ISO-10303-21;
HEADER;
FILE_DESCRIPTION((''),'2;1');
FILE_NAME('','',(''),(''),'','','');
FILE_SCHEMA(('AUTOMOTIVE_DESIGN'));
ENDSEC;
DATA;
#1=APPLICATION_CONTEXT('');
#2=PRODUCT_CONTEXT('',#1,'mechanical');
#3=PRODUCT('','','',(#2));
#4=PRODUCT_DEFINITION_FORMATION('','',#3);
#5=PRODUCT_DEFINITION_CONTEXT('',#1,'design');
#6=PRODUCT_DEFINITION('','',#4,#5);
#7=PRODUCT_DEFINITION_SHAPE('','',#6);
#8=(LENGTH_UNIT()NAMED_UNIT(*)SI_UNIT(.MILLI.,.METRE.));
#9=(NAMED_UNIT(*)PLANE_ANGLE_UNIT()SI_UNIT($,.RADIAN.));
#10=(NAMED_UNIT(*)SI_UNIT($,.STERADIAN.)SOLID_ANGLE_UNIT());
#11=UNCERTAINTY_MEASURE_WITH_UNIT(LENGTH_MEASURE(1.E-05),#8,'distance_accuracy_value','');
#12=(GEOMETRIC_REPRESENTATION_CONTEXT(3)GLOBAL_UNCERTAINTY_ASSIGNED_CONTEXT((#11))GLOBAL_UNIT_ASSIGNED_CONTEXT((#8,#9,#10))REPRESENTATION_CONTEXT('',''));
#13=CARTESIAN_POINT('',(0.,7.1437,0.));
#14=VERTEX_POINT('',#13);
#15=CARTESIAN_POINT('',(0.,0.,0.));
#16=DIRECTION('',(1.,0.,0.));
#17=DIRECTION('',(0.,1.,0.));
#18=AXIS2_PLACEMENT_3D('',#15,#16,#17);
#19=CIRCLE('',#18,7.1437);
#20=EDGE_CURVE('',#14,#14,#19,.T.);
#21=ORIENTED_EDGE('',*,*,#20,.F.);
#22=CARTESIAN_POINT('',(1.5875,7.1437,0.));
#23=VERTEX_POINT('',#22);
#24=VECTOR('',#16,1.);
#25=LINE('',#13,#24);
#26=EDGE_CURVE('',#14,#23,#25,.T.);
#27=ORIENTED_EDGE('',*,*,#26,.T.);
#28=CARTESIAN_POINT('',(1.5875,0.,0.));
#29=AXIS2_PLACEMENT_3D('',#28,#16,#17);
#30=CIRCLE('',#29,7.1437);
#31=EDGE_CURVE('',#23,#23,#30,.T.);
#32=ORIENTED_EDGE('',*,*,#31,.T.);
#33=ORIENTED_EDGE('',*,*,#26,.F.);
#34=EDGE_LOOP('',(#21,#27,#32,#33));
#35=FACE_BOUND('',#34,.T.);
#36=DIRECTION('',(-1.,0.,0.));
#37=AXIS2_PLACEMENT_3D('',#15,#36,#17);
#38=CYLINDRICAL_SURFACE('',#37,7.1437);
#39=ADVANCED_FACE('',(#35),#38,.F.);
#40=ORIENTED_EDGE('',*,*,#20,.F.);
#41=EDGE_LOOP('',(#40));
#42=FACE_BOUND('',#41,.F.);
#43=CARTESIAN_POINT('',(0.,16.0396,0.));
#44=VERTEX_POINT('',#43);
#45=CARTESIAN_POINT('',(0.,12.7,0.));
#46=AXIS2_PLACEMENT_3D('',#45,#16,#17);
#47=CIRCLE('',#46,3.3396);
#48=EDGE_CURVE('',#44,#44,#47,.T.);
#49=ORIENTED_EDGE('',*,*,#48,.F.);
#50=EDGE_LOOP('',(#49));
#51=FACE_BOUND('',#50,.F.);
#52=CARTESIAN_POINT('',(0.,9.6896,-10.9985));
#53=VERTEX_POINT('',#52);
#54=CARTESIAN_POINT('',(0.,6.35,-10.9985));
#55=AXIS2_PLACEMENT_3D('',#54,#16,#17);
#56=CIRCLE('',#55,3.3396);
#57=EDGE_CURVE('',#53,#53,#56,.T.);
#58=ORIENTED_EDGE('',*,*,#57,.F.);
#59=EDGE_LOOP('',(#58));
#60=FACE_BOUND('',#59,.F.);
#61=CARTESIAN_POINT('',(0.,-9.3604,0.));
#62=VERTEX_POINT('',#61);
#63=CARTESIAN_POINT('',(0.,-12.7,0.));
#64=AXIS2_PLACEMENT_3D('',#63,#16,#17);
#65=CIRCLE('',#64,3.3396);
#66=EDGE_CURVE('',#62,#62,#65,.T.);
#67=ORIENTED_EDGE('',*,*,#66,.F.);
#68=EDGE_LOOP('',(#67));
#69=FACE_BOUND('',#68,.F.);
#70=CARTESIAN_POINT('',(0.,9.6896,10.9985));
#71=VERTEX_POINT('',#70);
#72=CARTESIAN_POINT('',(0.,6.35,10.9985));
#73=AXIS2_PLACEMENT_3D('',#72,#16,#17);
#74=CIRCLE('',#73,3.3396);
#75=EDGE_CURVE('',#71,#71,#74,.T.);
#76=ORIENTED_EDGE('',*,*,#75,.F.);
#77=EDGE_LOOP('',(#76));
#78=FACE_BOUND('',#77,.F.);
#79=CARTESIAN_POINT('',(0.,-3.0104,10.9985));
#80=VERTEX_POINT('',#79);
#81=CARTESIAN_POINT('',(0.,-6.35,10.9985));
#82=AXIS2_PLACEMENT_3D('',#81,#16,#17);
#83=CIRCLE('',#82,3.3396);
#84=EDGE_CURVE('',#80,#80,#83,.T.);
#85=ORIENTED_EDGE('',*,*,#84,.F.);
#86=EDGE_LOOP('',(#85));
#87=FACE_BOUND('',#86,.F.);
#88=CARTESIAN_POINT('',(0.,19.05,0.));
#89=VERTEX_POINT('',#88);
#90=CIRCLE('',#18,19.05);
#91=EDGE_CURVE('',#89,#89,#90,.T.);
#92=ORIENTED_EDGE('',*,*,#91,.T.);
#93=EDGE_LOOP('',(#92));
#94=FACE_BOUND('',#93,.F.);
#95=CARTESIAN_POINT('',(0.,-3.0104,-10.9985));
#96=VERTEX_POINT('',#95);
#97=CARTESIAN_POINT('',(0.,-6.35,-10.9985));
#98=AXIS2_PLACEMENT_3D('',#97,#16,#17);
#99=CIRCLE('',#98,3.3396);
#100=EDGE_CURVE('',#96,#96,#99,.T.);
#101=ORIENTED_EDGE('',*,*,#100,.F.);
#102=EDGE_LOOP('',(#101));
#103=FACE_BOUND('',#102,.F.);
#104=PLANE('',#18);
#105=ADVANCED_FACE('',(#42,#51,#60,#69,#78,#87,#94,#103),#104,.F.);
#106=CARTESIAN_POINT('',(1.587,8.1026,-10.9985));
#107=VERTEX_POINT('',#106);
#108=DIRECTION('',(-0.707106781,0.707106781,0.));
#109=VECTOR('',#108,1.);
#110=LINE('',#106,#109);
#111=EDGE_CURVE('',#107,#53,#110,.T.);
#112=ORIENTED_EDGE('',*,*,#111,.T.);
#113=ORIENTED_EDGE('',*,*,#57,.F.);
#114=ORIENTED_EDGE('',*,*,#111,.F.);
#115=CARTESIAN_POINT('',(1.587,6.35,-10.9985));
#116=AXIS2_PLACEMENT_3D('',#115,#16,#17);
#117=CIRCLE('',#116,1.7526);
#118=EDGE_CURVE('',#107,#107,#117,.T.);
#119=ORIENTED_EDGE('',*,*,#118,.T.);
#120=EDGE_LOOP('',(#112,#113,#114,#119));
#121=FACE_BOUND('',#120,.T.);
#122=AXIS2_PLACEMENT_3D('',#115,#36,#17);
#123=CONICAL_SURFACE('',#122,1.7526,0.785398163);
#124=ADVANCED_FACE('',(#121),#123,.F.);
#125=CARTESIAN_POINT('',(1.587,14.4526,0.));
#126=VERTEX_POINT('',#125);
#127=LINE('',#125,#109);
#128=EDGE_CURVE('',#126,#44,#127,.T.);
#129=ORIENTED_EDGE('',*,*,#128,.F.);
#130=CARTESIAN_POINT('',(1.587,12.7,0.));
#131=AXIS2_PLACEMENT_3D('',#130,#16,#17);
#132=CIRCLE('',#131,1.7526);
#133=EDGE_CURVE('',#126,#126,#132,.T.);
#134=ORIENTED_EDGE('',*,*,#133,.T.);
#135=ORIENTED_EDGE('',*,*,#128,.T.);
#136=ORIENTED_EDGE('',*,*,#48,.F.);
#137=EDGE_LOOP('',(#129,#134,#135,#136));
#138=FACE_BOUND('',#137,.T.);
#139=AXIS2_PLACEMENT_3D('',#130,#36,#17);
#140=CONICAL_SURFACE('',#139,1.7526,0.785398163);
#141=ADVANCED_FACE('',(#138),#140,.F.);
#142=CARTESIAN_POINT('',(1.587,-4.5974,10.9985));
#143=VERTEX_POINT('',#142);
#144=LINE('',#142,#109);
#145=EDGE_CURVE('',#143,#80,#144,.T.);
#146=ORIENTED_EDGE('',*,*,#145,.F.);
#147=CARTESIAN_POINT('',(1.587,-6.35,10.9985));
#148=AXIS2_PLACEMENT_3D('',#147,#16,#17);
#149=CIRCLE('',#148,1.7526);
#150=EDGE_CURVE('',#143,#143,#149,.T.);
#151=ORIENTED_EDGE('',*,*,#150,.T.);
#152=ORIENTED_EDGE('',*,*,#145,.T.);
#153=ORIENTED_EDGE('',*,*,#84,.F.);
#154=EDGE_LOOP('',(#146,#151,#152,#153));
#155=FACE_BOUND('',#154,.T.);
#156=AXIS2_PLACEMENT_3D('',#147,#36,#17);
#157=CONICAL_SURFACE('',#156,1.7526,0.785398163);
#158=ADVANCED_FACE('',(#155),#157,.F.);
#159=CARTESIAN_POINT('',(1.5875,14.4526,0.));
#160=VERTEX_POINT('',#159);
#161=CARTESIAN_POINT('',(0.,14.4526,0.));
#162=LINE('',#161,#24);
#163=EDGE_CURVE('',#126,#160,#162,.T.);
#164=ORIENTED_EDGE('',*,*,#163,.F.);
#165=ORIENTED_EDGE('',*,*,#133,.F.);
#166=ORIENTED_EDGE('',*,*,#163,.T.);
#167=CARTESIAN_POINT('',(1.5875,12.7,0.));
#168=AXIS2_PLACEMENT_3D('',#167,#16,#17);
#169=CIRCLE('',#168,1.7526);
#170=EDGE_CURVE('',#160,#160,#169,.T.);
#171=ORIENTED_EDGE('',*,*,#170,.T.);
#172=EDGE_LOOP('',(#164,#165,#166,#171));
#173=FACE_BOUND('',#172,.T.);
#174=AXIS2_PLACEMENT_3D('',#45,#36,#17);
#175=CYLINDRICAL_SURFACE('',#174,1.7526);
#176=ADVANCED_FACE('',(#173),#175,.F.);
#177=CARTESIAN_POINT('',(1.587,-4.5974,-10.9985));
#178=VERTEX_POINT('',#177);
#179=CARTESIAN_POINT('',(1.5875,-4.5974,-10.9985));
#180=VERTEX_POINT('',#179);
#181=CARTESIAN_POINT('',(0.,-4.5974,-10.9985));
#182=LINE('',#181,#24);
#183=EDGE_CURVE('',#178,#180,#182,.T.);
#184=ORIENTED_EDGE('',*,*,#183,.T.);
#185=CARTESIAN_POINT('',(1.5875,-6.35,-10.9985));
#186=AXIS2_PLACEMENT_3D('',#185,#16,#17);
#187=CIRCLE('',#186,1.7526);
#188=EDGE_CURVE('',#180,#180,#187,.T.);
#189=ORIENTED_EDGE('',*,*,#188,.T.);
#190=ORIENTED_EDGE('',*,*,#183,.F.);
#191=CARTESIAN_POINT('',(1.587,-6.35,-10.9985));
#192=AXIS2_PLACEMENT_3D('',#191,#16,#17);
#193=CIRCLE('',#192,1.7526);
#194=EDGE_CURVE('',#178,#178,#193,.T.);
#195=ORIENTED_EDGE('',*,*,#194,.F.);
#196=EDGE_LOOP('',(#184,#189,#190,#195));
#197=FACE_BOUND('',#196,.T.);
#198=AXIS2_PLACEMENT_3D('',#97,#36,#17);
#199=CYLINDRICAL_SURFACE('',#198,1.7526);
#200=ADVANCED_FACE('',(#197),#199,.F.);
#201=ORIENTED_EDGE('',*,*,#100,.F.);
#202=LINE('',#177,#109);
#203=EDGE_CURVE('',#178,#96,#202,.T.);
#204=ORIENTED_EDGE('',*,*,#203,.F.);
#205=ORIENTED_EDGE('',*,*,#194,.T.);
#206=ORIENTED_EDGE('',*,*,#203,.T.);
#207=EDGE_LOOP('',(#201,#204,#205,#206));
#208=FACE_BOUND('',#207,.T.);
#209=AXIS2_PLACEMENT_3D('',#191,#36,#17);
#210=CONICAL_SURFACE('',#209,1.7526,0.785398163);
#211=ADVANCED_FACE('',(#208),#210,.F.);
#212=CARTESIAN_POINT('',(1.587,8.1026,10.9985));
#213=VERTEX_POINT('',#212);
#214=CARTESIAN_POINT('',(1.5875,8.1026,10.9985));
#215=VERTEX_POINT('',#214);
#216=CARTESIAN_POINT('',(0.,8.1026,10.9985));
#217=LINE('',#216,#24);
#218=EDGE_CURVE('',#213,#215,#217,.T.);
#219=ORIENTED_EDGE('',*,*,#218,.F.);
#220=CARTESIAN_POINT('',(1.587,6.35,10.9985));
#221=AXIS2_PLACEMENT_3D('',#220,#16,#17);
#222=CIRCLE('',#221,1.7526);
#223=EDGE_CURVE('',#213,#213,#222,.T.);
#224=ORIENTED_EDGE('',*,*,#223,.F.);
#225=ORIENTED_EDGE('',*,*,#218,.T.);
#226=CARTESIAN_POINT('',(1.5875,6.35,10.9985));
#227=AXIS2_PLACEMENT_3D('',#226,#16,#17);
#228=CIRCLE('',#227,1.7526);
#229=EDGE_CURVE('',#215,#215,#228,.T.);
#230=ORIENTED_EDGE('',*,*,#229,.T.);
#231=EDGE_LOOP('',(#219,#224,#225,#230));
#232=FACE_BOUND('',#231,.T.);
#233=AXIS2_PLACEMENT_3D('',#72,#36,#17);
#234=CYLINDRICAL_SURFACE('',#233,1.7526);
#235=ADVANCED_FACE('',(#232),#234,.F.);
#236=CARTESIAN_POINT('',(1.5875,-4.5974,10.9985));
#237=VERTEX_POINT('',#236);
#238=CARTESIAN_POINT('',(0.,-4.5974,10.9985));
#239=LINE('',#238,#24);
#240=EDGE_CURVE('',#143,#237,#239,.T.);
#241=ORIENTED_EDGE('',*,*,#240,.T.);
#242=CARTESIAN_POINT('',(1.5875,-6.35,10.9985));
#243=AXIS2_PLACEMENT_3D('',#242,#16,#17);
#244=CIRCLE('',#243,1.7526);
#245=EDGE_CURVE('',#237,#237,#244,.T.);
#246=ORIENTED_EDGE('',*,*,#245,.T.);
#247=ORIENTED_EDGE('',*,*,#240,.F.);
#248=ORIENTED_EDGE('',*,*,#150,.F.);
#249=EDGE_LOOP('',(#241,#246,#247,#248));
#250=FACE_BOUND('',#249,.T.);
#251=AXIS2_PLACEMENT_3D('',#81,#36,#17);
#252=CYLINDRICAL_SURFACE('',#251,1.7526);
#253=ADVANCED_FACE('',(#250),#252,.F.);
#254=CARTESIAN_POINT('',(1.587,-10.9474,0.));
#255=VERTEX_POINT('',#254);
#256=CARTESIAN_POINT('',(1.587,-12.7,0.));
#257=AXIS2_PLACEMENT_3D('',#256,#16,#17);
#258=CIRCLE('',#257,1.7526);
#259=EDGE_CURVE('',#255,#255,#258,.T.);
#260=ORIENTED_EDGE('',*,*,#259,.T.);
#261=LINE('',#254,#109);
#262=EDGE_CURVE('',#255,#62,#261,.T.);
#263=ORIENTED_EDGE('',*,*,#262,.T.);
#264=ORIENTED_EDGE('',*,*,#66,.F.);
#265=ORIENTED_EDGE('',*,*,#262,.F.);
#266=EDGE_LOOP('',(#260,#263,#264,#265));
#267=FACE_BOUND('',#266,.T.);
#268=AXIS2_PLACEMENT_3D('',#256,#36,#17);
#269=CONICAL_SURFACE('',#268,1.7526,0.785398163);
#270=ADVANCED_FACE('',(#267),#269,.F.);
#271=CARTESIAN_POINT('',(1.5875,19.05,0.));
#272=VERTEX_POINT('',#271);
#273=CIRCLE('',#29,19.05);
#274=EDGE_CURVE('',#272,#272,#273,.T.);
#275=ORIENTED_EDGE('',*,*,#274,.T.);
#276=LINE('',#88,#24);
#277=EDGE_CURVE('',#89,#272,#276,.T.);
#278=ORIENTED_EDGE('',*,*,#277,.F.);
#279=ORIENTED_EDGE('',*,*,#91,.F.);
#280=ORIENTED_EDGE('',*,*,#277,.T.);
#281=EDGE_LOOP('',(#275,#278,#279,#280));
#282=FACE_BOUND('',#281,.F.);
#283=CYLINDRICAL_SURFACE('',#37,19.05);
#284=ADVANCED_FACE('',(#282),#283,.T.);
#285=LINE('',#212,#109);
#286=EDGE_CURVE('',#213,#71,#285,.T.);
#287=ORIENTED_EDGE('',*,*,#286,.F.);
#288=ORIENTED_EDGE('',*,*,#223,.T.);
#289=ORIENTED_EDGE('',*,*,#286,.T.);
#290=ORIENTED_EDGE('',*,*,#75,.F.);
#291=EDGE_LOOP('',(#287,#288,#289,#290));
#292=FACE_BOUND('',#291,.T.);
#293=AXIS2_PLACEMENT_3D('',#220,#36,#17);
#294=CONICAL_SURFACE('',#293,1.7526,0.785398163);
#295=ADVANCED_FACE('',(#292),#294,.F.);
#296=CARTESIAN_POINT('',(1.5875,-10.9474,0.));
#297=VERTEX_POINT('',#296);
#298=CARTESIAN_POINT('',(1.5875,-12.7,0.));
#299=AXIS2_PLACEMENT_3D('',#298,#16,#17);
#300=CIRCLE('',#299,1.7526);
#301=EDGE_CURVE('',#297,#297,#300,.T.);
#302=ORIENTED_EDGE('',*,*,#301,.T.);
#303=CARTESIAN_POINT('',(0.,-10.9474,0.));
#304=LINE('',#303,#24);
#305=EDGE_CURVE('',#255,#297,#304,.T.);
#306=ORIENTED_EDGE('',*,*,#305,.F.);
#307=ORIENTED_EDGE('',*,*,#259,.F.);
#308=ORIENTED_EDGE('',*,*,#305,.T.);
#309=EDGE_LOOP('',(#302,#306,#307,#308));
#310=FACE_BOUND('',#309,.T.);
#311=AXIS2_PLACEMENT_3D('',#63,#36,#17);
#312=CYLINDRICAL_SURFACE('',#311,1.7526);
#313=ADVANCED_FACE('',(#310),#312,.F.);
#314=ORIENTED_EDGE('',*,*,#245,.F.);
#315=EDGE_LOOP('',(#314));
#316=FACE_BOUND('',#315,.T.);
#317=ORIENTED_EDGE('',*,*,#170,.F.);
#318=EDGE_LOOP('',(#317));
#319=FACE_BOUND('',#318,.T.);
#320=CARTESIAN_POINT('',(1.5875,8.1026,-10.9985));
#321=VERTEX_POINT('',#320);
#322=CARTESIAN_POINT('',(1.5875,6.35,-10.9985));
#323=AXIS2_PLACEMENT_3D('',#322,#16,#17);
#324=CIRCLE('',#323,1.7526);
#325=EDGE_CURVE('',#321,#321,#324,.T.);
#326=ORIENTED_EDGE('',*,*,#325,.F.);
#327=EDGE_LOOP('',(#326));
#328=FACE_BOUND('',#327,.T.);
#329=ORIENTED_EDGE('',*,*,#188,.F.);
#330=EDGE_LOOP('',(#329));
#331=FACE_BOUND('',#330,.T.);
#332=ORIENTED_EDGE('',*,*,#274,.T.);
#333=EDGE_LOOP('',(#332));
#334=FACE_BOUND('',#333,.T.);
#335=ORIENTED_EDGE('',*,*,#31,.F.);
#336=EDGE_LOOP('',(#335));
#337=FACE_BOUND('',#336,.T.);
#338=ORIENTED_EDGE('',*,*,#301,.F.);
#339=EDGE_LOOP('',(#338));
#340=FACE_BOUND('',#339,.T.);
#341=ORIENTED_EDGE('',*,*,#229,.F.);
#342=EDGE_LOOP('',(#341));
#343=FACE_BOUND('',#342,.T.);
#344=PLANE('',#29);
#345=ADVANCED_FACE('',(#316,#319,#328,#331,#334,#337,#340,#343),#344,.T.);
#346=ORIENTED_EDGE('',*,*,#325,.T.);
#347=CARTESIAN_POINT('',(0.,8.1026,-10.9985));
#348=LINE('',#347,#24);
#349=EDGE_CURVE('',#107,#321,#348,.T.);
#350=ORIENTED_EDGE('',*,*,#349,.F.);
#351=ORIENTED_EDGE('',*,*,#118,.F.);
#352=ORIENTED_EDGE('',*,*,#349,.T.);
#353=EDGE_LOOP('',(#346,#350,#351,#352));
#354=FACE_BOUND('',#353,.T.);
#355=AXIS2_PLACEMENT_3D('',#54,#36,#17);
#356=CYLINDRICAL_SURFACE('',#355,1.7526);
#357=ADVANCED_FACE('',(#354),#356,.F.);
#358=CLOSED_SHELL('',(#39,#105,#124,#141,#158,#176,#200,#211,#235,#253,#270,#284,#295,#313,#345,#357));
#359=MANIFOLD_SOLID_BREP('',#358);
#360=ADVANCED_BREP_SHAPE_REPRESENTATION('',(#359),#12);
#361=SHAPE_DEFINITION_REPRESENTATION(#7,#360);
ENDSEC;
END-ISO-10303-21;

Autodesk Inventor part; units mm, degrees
ref_plane "YZ Plane" through (0, 0, 0) normal (1, 0, 0) x (0, 1, 0)
ref_plane "XZ Plane" through (0, 0, 0) normal (0, 1, 0) x (-1, 0, 0)
ref_plane "XY Plane" through (0, 0, 0) normal (0, 0, 1) x (1, 0, 0)
sketch "Sketch1" plane through (0, 0, 0) normal (1, 0, 0) x (0, 1, 0)
  circle A0 centre (0, 0) radius 7.1437
  circle A1 centre (0, 0) radius 19.05
  circle A2 centre (12.7, 0) radius 1.7526
  circle A3 centre (6.35, 10.9985) radius 1.7526
  circle A4 centre (-6.35, 10.9985) radius 1.7526
  circle A5 centre (-12.7, 0) radius 1.7526
  circle A6 centre (-6.35, -10.9985) radius 1.7526
  circle A7 centre (6.35, -10.9985) radius 1.7526
  dimension "d0" = 14.2875
  dimension "d1" = 38.1
  dimension "d4" = 3.5052
  dimension "d5" = 12.7
  dimension "d8" = 360
extrude "Extrusion1" add sketch "Sketch1" along normal blind 1.5875
chamfer "Chamfer1" distance 1.5875 angle 45 6 edges at (0, 10.9474, 0) (0, 4.5974, 10.9985) (0, -14.4526, 0) (0, -8.1026, 10.9985) (0, 4.5974, -10.9985) (0, -8.1026, -10.9985)
properties part number "Spacer 3-8x .125" material "UHMW, Black"
